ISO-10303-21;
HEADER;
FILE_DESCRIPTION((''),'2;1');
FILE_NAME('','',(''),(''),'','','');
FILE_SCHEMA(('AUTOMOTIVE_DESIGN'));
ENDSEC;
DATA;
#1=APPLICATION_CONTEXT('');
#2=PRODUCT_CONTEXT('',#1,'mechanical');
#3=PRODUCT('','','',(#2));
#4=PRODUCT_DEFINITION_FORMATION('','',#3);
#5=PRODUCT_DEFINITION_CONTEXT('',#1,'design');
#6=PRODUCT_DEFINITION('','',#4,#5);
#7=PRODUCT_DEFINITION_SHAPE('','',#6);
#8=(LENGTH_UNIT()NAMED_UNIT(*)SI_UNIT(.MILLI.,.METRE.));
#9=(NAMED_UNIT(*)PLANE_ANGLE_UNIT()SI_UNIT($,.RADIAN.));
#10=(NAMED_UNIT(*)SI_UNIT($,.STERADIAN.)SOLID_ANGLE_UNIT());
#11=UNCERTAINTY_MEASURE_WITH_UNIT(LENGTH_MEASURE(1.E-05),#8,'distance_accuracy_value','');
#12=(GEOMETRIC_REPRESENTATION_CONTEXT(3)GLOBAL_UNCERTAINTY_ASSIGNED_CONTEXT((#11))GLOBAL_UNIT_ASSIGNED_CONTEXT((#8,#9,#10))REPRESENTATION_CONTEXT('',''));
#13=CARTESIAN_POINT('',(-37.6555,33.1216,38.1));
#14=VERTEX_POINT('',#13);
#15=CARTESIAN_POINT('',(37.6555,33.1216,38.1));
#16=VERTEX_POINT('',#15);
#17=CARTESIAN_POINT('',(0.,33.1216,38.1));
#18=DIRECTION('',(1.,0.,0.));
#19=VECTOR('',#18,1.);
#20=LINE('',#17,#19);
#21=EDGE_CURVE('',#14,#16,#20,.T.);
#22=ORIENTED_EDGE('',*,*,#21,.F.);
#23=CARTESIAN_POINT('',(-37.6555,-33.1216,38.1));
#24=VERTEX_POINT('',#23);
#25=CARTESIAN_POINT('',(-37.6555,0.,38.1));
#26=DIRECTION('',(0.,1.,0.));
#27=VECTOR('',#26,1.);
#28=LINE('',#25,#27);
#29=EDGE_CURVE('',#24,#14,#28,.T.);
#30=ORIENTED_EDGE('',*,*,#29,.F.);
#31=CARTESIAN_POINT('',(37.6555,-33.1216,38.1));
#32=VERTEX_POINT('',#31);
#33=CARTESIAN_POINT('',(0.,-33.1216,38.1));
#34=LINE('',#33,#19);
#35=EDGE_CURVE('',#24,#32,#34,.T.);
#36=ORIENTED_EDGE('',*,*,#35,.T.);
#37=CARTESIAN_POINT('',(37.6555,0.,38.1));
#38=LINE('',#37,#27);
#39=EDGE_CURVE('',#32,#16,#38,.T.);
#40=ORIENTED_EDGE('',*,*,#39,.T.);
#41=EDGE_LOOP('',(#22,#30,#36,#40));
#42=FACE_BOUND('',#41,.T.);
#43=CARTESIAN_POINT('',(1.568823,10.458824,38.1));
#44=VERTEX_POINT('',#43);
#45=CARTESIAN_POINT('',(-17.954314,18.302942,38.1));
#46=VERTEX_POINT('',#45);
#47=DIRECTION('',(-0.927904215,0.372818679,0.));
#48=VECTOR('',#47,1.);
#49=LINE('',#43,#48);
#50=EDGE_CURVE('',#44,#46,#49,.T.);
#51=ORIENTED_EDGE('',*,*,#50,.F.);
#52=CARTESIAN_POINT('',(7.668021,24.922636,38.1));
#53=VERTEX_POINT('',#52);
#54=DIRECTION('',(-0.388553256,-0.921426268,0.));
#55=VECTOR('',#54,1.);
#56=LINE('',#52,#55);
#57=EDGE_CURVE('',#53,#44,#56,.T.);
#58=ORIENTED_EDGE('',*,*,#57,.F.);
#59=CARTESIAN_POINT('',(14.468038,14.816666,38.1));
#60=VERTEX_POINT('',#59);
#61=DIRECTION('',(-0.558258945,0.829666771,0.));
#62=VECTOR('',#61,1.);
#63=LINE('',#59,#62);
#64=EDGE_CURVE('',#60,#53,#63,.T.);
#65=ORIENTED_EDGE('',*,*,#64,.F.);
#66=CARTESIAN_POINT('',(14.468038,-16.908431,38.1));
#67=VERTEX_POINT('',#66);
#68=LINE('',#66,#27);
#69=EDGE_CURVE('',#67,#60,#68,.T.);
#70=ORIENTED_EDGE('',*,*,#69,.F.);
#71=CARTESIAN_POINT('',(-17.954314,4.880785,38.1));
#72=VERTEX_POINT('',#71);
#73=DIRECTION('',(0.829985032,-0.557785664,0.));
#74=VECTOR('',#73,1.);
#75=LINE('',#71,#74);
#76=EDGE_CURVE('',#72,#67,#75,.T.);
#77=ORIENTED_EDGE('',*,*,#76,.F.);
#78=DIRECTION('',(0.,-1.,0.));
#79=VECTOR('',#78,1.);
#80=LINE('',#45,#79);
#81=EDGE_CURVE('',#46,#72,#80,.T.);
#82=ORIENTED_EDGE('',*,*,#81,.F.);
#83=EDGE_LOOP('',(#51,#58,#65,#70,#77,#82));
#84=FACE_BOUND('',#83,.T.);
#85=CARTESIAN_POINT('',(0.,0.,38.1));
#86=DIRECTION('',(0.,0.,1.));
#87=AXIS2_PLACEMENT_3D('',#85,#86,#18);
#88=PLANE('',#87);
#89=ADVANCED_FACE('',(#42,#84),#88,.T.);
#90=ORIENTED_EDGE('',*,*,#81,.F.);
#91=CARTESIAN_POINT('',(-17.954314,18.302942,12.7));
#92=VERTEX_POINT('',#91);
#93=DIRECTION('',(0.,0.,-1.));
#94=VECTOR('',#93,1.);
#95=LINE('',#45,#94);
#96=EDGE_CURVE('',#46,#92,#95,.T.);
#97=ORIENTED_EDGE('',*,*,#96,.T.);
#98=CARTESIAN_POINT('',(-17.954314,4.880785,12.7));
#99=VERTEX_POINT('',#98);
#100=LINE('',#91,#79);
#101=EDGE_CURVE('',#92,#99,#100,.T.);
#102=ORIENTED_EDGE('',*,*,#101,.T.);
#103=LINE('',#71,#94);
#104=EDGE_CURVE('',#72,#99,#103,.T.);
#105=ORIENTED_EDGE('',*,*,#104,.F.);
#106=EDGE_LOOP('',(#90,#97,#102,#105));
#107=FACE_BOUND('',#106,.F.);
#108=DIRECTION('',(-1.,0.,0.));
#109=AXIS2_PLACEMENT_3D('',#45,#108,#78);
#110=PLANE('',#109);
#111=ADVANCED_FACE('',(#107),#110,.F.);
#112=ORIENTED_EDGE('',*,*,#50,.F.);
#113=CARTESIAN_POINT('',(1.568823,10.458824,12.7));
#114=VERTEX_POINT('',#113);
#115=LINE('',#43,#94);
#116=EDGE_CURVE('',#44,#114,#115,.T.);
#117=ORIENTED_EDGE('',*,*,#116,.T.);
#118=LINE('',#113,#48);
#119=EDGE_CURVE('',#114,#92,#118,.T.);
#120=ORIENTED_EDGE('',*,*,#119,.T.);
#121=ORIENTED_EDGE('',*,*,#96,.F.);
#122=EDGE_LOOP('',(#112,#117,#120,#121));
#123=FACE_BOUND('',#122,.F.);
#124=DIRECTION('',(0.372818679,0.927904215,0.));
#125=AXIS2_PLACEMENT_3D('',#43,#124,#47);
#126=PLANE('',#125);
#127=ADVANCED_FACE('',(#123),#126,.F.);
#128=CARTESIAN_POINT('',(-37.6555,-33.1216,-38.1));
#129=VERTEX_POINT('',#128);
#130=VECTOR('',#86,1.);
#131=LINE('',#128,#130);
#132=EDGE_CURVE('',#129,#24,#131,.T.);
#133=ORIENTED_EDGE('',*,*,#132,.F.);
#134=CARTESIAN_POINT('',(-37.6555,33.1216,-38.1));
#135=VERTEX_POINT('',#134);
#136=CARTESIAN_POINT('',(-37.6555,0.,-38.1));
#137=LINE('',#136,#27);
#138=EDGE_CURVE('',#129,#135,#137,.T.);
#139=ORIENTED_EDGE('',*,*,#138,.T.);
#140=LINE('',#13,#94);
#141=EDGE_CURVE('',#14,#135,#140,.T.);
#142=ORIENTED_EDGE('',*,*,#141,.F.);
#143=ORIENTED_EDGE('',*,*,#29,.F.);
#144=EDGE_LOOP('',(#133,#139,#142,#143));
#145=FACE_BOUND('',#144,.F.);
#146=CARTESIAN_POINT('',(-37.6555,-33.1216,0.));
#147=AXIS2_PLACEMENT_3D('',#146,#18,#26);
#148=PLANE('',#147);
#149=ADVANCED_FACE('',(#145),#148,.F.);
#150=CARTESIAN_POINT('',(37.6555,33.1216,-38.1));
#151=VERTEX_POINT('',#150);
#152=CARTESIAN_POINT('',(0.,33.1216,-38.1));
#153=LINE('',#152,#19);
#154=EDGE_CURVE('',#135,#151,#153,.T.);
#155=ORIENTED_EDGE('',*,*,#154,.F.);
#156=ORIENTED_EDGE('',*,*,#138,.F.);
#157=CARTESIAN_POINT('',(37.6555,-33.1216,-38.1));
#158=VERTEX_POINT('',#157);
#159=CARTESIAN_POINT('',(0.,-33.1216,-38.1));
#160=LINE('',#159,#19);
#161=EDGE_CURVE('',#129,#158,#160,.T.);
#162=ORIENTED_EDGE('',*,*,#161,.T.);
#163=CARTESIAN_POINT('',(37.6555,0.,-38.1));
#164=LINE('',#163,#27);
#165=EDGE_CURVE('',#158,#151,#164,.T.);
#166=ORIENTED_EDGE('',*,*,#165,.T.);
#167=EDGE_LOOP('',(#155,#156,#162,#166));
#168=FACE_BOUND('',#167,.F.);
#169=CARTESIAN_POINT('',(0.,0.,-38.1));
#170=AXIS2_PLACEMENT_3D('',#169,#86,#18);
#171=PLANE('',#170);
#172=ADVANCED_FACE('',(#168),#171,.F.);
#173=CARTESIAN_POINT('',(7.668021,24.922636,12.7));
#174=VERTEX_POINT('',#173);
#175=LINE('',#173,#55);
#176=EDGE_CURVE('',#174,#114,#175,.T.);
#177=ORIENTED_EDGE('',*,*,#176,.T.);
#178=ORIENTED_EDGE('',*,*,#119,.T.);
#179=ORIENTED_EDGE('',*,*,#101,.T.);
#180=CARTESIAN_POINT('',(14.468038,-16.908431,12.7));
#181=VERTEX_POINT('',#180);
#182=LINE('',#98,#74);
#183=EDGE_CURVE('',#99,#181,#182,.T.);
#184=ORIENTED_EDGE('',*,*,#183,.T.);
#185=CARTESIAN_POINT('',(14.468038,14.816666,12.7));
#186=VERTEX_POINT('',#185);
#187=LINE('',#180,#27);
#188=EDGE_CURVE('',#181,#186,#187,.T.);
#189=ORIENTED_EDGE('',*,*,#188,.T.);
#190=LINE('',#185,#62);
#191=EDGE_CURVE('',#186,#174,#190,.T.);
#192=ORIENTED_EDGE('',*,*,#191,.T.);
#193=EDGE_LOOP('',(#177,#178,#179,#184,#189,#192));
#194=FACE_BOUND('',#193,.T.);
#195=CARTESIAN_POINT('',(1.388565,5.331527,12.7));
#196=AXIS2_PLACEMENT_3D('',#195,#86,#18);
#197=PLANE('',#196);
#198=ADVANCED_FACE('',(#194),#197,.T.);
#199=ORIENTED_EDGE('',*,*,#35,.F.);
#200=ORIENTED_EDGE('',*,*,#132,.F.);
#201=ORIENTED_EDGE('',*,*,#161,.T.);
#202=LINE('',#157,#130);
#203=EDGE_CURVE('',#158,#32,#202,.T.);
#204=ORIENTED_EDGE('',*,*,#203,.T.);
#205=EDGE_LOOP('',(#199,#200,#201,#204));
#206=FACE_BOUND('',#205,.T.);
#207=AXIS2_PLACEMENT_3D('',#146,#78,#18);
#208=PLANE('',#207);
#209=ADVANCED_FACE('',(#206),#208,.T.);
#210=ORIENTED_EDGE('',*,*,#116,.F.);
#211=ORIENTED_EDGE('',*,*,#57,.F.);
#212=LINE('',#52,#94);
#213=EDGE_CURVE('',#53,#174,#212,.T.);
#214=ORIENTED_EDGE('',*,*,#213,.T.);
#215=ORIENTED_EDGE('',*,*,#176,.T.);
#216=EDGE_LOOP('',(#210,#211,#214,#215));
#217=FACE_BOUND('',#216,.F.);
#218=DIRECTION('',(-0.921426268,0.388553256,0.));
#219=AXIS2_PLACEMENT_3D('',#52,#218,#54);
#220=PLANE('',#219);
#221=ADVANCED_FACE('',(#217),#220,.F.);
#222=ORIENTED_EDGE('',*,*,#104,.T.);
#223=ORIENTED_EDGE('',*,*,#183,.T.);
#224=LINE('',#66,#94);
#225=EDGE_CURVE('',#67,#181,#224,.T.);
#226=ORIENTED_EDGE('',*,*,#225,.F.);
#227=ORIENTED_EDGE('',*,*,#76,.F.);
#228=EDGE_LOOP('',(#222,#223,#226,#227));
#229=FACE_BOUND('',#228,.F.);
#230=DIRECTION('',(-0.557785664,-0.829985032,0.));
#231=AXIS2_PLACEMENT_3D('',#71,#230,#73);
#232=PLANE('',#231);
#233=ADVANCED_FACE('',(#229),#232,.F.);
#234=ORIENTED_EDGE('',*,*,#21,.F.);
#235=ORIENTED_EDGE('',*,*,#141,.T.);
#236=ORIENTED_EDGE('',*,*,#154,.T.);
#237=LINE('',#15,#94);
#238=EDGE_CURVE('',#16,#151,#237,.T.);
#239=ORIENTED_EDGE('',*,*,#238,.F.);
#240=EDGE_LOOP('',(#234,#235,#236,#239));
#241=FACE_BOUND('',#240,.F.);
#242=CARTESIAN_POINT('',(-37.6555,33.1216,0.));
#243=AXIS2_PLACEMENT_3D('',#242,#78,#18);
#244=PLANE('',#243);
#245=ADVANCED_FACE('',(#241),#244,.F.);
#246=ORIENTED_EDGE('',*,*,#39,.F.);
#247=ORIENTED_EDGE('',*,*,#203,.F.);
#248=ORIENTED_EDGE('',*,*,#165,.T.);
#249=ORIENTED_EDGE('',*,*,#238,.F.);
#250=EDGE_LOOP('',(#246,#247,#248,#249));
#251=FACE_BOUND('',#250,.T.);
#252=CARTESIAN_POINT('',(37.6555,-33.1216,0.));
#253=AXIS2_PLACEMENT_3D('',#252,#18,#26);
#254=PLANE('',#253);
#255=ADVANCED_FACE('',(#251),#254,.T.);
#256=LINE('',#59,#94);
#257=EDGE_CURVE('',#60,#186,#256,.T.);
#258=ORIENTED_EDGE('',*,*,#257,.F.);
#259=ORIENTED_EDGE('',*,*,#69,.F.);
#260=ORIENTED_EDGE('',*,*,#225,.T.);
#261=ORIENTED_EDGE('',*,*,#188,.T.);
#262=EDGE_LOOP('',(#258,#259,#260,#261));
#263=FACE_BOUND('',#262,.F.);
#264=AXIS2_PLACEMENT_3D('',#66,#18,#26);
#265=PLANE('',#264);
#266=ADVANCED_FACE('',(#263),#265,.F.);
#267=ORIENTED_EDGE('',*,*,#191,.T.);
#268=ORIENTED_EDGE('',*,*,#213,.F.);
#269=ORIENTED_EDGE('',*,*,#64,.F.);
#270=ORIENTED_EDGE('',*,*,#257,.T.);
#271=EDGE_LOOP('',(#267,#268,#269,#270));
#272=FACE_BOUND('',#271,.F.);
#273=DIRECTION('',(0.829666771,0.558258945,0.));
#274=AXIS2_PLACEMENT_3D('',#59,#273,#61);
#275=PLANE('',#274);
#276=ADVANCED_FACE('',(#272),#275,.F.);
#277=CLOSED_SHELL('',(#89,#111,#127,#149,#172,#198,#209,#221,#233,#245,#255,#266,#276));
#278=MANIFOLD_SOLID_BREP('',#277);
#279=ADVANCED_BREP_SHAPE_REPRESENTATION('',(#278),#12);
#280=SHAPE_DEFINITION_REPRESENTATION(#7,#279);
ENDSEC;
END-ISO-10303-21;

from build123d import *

# Parameters (mm, degrees)
F0_W     = 75.311
F0_H     = 66.2432
F1_DEPTH = 38.1
F3_DEPTH = 25.4


with BuildPart() as f1:
    # F0 (on Top) → F1 (new body, symmetric)
    with BuildSketch(Plane.XY):
        Rectangle(F0_W, F0_H)
    extrude(amount=F1_DEPTH, both=True)

    # F2 (on face) → F3 (cut)
    with BuildSketch(Plane.XY.offset(38.1)):
        Polygon((-17.954314, 18.302942), (-17.954314, 4.880785), (14.468038, -16.908431), (14.468038, 14.816666), (7.668021, 24.922636), (1.568823, 10.458824), align=None)
    extrude(amount=-F3_DEPTH, mode=Mode.SUBTRACT)


solid = f1.part
